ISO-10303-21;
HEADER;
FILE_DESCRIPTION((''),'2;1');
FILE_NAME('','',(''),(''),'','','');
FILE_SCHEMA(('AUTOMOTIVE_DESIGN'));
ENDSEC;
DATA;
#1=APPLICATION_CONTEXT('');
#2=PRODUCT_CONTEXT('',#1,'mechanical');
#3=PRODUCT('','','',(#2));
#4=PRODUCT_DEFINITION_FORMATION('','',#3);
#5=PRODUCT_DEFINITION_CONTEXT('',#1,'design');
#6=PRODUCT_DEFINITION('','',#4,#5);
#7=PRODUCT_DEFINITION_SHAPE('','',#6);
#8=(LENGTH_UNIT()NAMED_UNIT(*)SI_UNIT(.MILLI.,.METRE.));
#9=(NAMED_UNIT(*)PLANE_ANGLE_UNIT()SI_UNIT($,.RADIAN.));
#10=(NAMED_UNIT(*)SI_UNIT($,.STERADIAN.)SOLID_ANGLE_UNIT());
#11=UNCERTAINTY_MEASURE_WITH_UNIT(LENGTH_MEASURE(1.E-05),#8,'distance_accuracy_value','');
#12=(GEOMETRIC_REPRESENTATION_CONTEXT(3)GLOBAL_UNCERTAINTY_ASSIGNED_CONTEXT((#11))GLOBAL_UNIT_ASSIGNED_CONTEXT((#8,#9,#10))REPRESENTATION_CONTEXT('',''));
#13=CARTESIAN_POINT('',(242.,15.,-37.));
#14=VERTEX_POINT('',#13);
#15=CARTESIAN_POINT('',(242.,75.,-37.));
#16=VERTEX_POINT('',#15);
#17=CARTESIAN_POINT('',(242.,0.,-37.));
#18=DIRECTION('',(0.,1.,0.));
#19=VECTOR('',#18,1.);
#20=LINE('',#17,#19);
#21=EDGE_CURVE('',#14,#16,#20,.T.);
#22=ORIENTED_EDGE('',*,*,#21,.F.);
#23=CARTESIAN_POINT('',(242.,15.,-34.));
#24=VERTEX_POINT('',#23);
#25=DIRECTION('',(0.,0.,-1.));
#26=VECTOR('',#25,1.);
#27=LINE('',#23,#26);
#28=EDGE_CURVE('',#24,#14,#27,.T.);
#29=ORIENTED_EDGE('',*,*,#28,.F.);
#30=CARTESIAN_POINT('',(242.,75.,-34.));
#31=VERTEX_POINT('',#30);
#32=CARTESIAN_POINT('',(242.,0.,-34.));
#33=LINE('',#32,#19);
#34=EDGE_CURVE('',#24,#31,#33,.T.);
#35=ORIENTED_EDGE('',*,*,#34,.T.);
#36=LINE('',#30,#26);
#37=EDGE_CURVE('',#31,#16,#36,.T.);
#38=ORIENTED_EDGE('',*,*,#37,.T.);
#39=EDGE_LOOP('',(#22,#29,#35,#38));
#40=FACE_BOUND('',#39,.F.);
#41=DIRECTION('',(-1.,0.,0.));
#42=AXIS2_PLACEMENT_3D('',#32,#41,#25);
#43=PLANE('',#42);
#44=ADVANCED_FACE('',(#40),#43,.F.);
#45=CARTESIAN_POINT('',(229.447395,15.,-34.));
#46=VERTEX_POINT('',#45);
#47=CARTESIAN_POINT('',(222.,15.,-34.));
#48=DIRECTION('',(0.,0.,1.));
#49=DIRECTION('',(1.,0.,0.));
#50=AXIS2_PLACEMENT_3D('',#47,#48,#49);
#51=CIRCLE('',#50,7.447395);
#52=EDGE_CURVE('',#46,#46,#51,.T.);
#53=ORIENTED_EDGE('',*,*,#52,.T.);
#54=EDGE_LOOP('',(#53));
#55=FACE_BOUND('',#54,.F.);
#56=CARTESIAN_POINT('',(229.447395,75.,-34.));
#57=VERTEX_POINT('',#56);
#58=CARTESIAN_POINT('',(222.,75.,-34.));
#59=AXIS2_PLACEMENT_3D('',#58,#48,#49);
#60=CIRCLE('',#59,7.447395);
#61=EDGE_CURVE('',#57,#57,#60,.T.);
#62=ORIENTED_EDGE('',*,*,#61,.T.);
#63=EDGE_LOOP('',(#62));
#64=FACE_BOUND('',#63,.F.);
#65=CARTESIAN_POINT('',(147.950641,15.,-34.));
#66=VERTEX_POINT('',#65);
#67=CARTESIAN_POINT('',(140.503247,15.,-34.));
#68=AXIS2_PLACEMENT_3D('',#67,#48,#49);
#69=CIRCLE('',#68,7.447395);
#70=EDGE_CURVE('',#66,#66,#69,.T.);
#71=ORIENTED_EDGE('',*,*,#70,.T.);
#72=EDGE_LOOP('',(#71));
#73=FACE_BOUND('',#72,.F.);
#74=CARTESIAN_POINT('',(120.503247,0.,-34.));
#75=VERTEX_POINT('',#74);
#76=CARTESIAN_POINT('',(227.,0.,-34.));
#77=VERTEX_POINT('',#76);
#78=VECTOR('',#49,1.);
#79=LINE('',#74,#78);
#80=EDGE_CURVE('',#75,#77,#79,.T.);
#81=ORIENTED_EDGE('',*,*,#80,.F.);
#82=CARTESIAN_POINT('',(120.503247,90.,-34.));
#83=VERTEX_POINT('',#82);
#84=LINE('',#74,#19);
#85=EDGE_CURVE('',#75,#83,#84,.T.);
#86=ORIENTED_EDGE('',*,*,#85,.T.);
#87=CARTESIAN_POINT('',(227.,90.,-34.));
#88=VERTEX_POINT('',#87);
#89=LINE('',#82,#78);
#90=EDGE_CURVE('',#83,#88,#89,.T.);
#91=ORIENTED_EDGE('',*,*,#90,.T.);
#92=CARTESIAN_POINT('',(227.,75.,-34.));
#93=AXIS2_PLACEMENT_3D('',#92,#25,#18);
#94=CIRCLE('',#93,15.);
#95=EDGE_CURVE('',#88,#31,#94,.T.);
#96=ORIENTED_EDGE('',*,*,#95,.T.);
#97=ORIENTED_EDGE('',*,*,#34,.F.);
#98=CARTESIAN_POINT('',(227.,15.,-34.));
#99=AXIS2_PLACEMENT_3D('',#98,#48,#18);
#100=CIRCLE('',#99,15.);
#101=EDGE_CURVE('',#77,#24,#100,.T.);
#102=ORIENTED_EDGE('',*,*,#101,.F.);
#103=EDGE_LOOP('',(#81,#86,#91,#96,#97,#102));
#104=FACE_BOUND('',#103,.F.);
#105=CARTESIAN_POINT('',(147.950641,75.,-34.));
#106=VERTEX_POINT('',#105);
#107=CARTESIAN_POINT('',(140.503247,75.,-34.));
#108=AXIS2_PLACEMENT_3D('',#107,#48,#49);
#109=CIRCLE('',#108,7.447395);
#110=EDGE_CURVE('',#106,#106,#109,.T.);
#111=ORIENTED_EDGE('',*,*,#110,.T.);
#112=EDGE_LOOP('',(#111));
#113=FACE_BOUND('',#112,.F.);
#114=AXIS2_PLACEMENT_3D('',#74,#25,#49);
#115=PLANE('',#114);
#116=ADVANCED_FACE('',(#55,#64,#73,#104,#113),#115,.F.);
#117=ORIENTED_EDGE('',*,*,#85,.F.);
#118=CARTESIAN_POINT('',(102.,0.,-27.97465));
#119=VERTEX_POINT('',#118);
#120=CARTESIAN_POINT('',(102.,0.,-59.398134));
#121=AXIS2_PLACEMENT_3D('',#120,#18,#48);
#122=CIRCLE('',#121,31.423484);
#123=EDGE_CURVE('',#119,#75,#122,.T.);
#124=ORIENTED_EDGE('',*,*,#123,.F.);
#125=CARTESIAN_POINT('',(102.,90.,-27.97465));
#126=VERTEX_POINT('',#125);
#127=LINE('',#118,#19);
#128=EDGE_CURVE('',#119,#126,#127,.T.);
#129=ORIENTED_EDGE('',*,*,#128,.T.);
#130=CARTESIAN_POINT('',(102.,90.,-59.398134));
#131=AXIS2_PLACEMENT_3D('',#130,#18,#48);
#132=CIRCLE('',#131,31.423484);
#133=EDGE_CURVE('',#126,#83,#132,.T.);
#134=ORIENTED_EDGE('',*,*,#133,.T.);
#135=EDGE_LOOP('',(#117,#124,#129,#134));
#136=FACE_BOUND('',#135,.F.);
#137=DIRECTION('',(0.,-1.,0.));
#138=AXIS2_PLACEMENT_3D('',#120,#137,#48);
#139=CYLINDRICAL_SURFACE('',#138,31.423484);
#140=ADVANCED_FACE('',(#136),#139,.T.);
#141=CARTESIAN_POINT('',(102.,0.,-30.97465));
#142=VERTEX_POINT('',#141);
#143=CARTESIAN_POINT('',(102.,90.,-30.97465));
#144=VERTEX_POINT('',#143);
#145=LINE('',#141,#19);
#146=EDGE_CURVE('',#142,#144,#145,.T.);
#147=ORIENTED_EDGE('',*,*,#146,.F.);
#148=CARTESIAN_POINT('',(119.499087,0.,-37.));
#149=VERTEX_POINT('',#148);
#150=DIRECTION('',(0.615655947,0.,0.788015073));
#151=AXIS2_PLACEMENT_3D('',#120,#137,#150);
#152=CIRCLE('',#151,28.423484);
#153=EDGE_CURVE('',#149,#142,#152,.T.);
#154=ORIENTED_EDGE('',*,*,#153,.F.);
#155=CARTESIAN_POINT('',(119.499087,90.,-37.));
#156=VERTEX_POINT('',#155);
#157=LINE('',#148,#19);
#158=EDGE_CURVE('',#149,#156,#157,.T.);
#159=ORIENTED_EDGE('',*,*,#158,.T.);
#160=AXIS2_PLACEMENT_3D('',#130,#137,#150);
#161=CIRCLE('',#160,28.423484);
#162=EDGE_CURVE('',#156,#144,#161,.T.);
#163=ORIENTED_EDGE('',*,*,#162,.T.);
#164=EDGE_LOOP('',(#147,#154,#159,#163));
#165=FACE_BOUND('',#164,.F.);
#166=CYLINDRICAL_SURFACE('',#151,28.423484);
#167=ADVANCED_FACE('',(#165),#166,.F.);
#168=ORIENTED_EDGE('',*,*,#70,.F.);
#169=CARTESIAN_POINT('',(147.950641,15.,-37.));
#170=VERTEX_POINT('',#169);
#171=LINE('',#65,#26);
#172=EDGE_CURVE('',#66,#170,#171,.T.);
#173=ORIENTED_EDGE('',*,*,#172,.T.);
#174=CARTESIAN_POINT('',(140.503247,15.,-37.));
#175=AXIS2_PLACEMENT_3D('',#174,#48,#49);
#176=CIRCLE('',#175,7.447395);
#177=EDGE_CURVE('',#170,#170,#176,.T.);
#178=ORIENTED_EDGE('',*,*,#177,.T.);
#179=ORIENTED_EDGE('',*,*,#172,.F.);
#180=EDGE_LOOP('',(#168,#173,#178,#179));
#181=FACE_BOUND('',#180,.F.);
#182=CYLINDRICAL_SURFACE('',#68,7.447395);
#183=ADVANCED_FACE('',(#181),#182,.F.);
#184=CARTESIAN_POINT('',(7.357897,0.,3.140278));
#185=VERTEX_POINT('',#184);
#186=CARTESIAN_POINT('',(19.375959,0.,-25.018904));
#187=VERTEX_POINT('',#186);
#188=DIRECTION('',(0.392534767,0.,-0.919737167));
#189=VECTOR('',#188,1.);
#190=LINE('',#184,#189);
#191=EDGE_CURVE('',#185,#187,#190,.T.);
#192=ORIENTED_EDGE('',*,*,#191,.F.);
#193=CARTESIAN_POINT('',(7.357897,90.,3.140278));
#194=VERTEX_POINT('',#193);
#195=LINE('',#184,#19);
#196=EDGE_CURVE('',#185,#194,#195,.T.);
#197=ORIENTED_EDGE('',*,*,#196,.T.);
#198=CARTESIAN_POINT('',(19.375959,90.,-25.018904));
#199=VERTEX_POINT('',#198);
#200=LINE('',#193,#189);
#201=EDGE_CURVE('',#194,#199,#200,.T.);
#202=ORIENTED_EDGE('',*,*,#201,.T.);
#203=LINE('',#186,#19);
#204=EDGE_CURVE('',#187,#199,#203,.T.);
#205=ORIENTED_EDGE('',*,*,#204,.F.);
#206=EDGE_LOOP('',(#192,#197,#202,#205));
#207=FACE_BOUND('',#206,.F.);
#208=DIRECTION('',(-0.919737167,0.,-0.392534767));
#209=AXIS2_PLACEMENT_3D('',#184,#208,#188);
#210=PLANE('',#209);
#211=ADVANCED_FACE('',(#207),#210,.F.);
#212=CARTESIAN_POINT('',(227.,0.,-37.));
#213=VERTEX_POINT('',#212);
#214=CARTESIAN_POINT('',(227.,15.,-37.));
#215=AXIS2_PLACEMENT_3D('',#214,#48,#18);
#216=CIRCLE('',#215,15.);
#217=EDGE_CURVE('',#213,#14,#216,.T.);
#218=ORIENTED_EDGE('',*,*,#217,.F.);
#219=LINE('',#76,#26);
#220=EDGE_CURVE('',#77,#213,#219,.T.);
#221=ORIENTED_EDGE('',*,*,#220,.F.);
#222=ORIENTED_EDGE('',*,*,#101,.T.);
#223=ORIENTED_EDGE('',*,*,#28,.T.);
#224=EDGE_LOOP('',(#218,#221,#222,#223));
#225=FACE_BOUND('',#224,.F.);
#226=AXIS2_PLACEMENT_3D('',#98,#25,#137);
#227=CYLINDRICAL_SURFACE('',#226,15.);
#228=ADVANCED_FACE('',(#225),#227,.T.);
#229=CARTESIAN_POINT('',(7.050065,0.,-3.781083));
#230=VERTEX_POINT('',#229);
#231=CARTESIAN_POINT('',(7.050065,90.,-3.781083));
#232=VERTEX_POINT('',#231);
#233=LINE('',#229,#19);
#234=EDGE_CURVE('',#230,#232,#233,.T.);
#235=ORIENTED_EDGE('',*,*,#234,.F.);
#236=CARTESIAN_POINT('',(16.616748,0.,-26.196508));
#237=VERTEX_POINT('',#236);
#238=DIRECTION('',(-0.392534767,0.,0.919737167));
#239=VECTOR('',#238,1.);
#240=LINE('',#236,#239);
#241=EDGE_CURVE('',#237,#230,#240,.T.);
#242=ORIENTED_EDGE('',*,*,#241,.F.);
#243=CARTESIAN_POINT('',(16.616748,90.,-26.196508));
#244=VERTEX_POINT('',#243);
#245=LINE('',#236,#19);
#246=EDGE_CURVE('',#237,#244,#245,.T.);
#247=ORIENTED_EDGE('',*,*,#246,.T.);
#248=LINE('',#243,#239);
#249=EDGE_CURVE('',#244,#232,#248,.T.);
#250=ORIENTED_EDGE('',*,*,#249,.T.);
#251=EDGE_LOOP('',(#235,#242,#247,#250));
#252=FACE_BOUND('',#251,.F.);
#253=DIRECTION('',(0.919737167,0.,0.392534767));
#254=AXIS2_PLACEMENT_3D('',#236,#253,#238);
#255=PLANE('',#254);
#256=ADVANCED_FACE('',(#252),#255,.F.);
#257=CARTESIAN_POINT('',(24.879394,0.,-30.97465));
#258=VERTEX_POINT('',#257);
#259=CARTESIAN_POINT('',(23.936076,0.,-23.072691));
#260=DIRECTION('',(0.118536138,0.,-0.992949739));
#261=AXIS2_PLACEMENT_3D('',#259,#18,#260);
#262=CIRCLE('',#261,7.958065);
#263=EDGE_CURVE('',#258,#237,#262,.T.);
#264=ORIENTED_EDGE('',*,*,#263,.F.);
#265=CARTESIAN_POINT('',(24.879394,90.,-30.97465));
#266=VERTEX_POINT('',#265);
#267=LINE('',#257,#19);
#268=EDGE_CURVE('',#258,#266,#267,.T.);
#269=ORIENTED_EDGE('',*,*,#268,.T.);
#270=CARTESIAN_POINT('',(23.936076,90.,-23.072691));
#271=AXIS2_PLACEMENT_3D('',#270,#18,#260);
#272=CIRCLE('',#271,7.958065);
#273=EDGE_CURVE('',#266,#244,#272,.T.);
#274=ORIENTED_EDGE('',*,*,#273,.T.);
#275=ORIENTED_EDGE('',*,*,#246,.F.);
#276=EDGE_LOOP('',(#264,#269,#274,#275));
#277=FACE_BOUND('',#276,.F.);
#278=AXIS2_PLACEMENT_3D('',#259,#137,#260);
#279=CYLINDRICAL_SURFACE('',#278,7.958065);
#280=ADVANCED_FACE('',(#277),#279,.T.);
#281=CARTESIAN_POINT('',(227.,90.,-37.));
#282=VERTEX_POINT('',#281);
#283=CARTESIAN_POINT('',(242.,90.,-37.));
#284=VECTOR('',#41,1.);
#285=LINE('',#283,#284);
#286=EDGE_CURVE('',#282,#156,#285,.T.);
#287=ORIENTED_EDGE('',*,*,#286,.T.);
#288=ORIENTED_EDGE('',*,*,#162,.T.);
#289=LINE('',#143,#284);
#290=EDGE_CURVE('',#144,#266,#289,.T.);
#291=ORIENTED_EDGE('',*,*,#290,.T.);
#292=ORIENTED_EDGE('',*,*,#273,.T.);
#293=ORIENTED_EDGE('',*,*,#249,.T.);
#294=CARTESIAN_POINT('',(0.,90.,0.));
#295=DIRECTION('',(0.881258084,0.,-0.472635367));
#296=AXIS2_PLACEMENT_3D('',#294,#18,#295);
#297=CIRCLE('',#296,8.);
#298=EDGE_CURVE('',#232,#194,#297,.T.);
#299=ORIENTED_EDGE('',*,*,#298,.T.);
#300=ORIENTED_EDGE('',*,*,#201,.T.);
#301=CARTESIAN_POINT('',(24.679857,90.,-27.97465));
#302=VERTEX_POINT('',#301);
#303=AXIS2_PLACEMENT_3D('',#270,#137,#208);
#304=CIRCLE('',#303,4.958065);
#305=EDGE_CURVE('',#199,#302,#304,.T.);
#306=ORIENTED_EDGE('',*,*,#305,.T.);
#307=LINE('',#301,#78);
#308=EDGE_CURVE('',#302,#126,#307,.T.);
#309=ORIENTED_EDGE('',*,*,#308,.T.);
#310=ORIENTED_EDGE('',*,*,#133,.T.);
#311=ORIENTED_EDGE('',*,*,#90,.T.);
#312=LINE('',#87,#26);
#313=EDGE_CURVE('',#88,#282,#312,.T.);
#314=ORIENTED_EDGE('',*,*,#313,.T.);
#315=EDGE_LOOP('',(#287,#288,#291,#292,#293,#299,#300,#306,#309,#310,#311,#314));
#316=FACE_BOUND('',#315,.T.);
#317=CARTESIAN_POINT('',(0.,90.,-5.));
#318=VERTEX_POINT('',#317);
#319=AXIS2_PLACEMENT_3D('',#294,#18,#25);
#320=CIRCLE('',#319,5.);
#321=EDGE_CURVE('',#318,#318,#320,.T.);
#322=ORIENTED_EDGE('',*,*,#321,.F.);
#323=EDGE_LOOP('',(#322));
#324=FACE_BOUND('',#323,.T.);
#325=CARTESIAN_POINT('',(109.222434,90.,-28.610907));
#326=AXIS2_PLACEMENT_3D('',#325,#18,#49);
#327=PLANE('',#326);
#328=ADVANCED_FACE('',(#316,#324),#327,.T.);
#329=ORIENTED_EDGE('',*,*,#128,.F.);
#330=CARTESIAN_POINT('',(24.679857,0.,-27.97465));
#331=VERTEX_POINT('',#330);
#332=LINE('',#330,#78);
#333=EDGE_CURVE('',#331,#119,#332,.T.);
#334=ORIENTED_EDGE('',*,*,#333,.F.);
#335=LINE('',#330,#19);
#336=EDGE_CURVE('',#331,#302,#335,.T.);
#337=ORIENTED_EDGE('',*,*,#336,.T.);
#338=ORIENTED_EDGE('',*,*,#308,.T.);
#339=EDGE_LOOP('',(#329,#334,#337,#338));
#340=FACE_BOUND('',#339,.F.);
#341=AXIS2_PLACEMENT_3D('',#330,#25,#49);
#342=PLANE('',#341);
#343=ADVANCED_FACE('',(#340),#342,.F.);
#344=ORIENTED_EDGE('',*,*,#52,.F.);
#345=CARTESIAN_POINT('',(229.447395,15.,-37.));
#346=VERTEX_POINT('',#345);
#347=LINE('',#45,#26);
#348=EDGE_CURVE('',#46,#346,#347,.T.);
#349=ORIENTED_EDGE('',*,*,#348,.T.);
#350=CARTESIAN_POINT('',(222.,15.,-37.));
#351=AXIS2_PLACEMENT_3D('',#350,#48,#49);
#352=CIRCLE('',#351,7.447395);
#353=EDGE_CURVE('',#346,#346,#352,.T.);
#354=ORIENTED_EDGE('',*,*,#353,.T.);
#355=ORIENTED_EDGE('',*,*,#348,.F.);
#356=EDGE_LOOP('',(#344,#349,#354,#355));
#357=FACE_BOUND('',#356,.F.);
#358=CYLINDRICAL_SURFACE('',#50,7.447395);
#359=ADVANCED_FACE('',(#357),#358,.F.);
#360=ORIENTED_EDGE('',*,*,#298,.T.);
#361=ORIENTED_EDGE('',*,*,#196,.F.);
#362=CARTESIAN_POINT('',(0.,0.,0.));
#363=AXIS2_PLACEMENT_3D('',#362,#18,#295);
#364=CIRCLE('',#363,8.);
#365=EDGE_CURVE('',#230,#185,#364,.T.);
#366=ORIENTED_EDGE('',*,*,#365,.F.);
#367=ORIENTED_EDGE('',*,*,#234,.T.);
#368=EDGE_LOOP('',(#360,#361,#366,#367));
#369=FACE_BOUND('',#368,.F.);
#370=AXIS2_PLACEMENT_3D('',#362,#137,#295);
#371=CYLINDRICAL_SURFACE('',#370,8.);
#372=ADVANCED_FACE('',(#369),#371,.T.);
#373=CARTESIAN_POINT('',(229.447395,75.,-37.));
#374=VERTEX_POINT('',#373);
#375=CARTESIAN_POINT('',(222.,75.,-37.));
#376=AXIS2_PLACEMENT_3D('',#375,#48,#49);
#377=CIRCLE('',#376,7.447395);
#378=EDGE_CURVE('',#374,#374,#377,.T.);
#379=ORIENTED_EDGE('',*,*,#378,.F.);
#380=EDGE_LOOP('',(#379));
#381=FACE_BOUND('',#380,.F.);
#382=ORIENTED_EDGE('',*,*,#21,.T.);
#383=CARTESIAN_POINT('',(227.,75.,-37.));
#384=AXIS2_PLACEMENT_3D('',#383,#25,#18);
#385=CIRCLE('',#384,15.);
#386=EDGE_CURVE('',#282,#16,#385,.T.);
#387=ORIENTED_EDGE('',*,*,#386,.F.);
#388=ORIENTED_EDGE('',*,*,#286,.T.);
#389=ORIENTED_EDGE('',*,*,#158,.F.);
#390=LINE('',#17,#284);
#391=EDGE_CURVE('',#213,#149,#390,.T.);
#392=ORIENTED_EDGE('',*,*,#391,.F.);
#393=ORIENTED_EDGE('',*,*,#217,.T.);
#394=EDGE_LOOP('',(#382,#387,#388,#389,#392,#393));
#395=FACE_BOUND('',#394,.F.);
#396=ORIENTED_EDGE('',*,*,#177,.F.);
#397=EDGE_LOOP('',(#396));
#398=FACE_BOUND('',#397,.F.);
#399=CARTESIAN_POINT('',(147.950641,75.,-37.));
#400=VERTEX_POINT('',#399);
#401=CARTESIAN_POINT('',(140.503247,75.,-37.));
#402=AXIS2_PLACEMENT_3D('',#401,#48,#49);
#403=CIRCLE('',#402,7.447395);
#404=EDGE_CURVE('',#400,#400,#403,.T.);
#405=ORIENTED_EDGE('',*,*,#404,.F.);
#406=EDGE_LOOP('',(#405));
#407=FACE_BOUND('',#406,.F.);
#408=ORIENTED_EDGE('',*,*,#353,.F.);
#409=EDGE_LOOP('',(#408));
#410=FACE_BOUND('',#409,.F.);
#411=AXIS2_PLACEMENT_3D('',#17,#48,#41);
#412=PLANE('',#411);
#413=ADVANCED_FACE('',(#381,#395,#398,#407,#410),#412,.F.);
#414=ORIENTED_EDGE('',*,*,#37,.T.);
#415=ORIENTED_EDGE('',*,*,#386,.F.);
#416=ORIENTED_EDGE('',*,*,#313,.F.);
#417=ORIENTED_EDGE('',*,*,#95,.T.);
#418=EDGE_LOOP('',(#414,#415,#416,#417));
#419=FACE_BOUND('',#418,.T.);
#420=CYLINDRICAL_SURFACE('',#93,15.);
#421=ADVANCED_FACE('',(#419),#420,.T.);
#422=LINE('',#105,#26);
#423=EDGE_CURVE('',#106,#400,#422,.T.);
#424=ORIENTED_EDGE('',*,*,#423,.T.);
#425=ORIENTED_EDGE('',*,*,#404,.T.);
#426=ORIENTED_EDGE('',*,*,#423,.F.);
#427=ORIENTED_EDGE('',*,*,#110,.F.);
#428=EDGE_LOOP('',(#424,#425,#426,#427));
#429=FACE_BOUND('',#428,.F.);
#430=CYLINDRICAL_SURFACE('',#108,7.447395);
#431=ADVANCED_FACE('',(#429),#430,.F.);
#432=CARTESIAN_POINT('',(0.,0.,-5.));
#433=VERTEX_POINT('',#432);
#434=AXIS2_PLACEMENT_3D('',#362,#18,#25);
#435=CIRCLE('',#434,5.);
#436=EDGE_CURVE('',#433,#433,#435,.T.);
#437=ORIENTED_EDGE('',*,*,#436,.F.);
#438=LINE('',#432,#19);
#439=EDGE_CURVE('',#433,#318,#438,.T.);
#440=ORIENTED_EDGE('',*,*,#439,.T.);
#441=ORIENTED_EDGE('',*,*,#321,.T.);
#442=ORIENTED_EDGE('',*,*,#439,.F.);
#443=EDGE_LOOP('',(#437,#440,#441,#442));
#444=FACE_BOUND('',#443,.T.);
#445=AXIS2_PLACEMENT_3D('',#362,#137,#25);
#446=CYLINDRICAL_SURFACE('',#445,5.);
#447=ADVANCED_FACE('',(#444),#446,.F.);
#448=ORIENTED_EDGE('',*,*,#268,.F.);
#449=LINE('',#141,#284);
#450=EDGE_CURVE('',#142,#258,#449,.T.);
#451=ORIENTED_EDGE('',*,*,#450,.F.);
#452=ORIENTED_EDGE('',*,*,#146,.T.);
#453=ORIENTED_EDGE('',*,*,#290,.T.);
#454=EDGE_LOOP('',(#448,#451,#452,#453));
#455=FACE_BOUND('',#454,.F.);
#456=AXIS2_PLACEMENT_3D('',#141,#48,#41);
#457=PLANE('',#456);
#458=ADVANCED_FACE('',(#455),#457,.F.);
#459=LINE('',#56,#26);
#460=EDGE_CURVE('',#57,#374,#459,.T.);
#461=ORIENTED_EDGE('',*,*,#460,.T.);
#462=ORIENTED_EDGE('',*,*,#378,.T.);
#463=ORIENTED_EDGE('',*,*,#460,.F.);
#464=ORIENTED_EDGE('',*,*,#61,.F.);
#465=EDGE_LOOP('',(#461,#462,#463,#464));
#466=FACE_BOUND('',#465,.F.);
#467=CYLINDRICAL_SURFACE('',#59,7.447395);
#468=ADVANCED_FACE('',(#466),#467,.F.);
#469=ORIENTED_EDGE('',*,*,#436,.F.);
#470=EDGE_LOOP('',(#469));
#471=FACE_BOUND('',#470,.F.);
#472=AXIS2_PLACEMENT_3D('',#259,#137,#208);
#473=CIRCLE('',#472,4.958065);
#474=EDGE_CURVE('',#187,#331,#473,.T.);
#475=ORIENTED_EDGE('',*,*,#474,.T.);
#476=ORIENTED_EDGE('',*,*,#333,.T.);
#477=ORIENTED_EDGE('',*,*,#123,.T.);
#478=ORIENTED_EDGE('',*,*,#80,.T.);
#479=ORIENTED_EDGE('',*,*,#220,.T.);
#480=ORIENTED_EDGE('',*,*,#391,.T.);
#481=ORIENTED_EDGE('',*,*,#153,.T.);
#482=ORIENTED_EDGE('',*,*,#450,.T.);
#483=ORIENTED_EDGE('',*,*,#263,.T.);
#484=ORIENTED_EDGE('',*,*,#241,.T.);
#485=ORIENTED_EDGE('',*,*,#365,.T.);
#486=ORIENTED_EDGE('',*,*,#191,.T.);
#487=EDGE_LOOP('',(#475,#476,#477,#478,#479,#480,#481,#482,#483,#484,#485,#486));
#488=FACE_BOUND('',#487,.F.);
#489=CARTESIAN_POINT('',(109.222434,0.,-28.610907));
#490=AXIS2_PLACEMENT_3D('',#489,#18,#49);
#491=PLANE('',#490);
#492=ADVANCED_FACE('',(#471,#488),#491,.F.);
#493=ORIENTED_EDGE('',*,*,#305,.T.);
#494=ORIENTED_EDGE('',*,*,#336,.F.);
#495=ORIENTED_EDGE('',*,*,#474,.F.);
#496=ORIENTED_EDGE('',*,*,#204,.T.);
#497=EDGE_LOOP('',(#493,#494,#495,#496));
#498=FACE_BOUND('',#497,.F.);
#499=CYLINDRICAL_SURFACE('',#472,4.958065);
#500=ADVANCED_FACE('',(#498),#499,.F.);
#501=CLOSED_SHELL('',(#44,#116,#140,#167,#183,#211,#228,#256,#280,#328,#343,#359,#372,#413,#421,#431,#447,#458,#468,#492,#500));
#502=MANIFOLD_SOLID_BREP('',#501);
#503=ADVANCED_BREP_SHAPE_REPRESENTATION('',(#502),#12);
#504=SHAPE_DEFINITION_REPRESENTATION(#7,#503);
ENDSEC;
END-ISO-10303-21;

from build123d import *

# Parameters (mm, degrees)
SKETCH7_R           = 5
BOSS_EXTRUDE1_DEPTH = 90
SKETCH8_R           = 7.447394551
CUT_EXTRUDE1_DEPTH  = 90
FILLET1_R           = 15


with BuildPart() as part:
    # Sketch7 → Boss-Extrude1 (new body)
    with BuildSketch(Plane(origin=(0, 0, 0), x_dir=(1, 0, 0), z_dir=(0, 1, 0))):
        with BuildLine():
            Line((7.357897338, -3.140278136), (19.375959063, 25.018904128))
            ThreePointArc((19.375959063, 25.018904128), (21.522528234, 27.403649264), (24.679857301, 27.974649904))
            Line((24.679857301, 27.974649904), (102, 27.974649904))
            ThreePointArc((102, 27.974649904), (111.729786481, 29.518933772), (120.503246637, 34))
            Line((120.503246637, 34), (242, 34))
            Line((242, 34), (242, 37))
            Line((242, 37), (119.499086706, 37))
            ThreePointArc((119.499086706, 37), (111.253686824, 32.523169315), (102, 30.974649904))
            Line((102, 30.974649904), (24.879394183, 30.974649904))
            ThreePointArc((24.879394183, 30.974649904), (19.95222913, 29.961796073), (16.616747562, 26.196508428))
            Line((16.616747562, 26.196508428), (7.05006467, 3.781082934))
            ThreePointArc((7.05006467, 3.781082934), (-7.992099353, -0.355454547), (7.357897338, -3.140278136))
        make_face()
        with Locations(Location((0, 0, 0), (0, 0, 90))):
            Circle(SKETCH7_R, mode=Mode.SUBTRACT)
    extrude(amount=BOSS_EXTRUDE1_DEPTH)

    # Sketch8 → Cut-Extrude1 (cut)
    with BuildSketch(Plane.XY.offset(-34)):
        with Locations((140.503246637, 75)):
            Circle(SKETCH8_R)
        with Locations((140.503246637, 15)):
            Circle(SKETCH8_R)
        with Locations((222, 75)):
            Circle(SKETCH8_R)
        with Locations((222, 15)):
            Circle(SKETCH8_R)
    extrude(amount=-CUT_EXTRUDE1_DEPTH, mode=Mode.SUBTRACT)

    # Fillet1
    fillet1_edges = [part.edges().sort_by_distance(p)[0] for p in [
        (242, 0, -35.5),
        (242, 90, -35.5),
    ]]
    fillet(fillet1_edges, radius=FILLET1_R)


solid = part.part
